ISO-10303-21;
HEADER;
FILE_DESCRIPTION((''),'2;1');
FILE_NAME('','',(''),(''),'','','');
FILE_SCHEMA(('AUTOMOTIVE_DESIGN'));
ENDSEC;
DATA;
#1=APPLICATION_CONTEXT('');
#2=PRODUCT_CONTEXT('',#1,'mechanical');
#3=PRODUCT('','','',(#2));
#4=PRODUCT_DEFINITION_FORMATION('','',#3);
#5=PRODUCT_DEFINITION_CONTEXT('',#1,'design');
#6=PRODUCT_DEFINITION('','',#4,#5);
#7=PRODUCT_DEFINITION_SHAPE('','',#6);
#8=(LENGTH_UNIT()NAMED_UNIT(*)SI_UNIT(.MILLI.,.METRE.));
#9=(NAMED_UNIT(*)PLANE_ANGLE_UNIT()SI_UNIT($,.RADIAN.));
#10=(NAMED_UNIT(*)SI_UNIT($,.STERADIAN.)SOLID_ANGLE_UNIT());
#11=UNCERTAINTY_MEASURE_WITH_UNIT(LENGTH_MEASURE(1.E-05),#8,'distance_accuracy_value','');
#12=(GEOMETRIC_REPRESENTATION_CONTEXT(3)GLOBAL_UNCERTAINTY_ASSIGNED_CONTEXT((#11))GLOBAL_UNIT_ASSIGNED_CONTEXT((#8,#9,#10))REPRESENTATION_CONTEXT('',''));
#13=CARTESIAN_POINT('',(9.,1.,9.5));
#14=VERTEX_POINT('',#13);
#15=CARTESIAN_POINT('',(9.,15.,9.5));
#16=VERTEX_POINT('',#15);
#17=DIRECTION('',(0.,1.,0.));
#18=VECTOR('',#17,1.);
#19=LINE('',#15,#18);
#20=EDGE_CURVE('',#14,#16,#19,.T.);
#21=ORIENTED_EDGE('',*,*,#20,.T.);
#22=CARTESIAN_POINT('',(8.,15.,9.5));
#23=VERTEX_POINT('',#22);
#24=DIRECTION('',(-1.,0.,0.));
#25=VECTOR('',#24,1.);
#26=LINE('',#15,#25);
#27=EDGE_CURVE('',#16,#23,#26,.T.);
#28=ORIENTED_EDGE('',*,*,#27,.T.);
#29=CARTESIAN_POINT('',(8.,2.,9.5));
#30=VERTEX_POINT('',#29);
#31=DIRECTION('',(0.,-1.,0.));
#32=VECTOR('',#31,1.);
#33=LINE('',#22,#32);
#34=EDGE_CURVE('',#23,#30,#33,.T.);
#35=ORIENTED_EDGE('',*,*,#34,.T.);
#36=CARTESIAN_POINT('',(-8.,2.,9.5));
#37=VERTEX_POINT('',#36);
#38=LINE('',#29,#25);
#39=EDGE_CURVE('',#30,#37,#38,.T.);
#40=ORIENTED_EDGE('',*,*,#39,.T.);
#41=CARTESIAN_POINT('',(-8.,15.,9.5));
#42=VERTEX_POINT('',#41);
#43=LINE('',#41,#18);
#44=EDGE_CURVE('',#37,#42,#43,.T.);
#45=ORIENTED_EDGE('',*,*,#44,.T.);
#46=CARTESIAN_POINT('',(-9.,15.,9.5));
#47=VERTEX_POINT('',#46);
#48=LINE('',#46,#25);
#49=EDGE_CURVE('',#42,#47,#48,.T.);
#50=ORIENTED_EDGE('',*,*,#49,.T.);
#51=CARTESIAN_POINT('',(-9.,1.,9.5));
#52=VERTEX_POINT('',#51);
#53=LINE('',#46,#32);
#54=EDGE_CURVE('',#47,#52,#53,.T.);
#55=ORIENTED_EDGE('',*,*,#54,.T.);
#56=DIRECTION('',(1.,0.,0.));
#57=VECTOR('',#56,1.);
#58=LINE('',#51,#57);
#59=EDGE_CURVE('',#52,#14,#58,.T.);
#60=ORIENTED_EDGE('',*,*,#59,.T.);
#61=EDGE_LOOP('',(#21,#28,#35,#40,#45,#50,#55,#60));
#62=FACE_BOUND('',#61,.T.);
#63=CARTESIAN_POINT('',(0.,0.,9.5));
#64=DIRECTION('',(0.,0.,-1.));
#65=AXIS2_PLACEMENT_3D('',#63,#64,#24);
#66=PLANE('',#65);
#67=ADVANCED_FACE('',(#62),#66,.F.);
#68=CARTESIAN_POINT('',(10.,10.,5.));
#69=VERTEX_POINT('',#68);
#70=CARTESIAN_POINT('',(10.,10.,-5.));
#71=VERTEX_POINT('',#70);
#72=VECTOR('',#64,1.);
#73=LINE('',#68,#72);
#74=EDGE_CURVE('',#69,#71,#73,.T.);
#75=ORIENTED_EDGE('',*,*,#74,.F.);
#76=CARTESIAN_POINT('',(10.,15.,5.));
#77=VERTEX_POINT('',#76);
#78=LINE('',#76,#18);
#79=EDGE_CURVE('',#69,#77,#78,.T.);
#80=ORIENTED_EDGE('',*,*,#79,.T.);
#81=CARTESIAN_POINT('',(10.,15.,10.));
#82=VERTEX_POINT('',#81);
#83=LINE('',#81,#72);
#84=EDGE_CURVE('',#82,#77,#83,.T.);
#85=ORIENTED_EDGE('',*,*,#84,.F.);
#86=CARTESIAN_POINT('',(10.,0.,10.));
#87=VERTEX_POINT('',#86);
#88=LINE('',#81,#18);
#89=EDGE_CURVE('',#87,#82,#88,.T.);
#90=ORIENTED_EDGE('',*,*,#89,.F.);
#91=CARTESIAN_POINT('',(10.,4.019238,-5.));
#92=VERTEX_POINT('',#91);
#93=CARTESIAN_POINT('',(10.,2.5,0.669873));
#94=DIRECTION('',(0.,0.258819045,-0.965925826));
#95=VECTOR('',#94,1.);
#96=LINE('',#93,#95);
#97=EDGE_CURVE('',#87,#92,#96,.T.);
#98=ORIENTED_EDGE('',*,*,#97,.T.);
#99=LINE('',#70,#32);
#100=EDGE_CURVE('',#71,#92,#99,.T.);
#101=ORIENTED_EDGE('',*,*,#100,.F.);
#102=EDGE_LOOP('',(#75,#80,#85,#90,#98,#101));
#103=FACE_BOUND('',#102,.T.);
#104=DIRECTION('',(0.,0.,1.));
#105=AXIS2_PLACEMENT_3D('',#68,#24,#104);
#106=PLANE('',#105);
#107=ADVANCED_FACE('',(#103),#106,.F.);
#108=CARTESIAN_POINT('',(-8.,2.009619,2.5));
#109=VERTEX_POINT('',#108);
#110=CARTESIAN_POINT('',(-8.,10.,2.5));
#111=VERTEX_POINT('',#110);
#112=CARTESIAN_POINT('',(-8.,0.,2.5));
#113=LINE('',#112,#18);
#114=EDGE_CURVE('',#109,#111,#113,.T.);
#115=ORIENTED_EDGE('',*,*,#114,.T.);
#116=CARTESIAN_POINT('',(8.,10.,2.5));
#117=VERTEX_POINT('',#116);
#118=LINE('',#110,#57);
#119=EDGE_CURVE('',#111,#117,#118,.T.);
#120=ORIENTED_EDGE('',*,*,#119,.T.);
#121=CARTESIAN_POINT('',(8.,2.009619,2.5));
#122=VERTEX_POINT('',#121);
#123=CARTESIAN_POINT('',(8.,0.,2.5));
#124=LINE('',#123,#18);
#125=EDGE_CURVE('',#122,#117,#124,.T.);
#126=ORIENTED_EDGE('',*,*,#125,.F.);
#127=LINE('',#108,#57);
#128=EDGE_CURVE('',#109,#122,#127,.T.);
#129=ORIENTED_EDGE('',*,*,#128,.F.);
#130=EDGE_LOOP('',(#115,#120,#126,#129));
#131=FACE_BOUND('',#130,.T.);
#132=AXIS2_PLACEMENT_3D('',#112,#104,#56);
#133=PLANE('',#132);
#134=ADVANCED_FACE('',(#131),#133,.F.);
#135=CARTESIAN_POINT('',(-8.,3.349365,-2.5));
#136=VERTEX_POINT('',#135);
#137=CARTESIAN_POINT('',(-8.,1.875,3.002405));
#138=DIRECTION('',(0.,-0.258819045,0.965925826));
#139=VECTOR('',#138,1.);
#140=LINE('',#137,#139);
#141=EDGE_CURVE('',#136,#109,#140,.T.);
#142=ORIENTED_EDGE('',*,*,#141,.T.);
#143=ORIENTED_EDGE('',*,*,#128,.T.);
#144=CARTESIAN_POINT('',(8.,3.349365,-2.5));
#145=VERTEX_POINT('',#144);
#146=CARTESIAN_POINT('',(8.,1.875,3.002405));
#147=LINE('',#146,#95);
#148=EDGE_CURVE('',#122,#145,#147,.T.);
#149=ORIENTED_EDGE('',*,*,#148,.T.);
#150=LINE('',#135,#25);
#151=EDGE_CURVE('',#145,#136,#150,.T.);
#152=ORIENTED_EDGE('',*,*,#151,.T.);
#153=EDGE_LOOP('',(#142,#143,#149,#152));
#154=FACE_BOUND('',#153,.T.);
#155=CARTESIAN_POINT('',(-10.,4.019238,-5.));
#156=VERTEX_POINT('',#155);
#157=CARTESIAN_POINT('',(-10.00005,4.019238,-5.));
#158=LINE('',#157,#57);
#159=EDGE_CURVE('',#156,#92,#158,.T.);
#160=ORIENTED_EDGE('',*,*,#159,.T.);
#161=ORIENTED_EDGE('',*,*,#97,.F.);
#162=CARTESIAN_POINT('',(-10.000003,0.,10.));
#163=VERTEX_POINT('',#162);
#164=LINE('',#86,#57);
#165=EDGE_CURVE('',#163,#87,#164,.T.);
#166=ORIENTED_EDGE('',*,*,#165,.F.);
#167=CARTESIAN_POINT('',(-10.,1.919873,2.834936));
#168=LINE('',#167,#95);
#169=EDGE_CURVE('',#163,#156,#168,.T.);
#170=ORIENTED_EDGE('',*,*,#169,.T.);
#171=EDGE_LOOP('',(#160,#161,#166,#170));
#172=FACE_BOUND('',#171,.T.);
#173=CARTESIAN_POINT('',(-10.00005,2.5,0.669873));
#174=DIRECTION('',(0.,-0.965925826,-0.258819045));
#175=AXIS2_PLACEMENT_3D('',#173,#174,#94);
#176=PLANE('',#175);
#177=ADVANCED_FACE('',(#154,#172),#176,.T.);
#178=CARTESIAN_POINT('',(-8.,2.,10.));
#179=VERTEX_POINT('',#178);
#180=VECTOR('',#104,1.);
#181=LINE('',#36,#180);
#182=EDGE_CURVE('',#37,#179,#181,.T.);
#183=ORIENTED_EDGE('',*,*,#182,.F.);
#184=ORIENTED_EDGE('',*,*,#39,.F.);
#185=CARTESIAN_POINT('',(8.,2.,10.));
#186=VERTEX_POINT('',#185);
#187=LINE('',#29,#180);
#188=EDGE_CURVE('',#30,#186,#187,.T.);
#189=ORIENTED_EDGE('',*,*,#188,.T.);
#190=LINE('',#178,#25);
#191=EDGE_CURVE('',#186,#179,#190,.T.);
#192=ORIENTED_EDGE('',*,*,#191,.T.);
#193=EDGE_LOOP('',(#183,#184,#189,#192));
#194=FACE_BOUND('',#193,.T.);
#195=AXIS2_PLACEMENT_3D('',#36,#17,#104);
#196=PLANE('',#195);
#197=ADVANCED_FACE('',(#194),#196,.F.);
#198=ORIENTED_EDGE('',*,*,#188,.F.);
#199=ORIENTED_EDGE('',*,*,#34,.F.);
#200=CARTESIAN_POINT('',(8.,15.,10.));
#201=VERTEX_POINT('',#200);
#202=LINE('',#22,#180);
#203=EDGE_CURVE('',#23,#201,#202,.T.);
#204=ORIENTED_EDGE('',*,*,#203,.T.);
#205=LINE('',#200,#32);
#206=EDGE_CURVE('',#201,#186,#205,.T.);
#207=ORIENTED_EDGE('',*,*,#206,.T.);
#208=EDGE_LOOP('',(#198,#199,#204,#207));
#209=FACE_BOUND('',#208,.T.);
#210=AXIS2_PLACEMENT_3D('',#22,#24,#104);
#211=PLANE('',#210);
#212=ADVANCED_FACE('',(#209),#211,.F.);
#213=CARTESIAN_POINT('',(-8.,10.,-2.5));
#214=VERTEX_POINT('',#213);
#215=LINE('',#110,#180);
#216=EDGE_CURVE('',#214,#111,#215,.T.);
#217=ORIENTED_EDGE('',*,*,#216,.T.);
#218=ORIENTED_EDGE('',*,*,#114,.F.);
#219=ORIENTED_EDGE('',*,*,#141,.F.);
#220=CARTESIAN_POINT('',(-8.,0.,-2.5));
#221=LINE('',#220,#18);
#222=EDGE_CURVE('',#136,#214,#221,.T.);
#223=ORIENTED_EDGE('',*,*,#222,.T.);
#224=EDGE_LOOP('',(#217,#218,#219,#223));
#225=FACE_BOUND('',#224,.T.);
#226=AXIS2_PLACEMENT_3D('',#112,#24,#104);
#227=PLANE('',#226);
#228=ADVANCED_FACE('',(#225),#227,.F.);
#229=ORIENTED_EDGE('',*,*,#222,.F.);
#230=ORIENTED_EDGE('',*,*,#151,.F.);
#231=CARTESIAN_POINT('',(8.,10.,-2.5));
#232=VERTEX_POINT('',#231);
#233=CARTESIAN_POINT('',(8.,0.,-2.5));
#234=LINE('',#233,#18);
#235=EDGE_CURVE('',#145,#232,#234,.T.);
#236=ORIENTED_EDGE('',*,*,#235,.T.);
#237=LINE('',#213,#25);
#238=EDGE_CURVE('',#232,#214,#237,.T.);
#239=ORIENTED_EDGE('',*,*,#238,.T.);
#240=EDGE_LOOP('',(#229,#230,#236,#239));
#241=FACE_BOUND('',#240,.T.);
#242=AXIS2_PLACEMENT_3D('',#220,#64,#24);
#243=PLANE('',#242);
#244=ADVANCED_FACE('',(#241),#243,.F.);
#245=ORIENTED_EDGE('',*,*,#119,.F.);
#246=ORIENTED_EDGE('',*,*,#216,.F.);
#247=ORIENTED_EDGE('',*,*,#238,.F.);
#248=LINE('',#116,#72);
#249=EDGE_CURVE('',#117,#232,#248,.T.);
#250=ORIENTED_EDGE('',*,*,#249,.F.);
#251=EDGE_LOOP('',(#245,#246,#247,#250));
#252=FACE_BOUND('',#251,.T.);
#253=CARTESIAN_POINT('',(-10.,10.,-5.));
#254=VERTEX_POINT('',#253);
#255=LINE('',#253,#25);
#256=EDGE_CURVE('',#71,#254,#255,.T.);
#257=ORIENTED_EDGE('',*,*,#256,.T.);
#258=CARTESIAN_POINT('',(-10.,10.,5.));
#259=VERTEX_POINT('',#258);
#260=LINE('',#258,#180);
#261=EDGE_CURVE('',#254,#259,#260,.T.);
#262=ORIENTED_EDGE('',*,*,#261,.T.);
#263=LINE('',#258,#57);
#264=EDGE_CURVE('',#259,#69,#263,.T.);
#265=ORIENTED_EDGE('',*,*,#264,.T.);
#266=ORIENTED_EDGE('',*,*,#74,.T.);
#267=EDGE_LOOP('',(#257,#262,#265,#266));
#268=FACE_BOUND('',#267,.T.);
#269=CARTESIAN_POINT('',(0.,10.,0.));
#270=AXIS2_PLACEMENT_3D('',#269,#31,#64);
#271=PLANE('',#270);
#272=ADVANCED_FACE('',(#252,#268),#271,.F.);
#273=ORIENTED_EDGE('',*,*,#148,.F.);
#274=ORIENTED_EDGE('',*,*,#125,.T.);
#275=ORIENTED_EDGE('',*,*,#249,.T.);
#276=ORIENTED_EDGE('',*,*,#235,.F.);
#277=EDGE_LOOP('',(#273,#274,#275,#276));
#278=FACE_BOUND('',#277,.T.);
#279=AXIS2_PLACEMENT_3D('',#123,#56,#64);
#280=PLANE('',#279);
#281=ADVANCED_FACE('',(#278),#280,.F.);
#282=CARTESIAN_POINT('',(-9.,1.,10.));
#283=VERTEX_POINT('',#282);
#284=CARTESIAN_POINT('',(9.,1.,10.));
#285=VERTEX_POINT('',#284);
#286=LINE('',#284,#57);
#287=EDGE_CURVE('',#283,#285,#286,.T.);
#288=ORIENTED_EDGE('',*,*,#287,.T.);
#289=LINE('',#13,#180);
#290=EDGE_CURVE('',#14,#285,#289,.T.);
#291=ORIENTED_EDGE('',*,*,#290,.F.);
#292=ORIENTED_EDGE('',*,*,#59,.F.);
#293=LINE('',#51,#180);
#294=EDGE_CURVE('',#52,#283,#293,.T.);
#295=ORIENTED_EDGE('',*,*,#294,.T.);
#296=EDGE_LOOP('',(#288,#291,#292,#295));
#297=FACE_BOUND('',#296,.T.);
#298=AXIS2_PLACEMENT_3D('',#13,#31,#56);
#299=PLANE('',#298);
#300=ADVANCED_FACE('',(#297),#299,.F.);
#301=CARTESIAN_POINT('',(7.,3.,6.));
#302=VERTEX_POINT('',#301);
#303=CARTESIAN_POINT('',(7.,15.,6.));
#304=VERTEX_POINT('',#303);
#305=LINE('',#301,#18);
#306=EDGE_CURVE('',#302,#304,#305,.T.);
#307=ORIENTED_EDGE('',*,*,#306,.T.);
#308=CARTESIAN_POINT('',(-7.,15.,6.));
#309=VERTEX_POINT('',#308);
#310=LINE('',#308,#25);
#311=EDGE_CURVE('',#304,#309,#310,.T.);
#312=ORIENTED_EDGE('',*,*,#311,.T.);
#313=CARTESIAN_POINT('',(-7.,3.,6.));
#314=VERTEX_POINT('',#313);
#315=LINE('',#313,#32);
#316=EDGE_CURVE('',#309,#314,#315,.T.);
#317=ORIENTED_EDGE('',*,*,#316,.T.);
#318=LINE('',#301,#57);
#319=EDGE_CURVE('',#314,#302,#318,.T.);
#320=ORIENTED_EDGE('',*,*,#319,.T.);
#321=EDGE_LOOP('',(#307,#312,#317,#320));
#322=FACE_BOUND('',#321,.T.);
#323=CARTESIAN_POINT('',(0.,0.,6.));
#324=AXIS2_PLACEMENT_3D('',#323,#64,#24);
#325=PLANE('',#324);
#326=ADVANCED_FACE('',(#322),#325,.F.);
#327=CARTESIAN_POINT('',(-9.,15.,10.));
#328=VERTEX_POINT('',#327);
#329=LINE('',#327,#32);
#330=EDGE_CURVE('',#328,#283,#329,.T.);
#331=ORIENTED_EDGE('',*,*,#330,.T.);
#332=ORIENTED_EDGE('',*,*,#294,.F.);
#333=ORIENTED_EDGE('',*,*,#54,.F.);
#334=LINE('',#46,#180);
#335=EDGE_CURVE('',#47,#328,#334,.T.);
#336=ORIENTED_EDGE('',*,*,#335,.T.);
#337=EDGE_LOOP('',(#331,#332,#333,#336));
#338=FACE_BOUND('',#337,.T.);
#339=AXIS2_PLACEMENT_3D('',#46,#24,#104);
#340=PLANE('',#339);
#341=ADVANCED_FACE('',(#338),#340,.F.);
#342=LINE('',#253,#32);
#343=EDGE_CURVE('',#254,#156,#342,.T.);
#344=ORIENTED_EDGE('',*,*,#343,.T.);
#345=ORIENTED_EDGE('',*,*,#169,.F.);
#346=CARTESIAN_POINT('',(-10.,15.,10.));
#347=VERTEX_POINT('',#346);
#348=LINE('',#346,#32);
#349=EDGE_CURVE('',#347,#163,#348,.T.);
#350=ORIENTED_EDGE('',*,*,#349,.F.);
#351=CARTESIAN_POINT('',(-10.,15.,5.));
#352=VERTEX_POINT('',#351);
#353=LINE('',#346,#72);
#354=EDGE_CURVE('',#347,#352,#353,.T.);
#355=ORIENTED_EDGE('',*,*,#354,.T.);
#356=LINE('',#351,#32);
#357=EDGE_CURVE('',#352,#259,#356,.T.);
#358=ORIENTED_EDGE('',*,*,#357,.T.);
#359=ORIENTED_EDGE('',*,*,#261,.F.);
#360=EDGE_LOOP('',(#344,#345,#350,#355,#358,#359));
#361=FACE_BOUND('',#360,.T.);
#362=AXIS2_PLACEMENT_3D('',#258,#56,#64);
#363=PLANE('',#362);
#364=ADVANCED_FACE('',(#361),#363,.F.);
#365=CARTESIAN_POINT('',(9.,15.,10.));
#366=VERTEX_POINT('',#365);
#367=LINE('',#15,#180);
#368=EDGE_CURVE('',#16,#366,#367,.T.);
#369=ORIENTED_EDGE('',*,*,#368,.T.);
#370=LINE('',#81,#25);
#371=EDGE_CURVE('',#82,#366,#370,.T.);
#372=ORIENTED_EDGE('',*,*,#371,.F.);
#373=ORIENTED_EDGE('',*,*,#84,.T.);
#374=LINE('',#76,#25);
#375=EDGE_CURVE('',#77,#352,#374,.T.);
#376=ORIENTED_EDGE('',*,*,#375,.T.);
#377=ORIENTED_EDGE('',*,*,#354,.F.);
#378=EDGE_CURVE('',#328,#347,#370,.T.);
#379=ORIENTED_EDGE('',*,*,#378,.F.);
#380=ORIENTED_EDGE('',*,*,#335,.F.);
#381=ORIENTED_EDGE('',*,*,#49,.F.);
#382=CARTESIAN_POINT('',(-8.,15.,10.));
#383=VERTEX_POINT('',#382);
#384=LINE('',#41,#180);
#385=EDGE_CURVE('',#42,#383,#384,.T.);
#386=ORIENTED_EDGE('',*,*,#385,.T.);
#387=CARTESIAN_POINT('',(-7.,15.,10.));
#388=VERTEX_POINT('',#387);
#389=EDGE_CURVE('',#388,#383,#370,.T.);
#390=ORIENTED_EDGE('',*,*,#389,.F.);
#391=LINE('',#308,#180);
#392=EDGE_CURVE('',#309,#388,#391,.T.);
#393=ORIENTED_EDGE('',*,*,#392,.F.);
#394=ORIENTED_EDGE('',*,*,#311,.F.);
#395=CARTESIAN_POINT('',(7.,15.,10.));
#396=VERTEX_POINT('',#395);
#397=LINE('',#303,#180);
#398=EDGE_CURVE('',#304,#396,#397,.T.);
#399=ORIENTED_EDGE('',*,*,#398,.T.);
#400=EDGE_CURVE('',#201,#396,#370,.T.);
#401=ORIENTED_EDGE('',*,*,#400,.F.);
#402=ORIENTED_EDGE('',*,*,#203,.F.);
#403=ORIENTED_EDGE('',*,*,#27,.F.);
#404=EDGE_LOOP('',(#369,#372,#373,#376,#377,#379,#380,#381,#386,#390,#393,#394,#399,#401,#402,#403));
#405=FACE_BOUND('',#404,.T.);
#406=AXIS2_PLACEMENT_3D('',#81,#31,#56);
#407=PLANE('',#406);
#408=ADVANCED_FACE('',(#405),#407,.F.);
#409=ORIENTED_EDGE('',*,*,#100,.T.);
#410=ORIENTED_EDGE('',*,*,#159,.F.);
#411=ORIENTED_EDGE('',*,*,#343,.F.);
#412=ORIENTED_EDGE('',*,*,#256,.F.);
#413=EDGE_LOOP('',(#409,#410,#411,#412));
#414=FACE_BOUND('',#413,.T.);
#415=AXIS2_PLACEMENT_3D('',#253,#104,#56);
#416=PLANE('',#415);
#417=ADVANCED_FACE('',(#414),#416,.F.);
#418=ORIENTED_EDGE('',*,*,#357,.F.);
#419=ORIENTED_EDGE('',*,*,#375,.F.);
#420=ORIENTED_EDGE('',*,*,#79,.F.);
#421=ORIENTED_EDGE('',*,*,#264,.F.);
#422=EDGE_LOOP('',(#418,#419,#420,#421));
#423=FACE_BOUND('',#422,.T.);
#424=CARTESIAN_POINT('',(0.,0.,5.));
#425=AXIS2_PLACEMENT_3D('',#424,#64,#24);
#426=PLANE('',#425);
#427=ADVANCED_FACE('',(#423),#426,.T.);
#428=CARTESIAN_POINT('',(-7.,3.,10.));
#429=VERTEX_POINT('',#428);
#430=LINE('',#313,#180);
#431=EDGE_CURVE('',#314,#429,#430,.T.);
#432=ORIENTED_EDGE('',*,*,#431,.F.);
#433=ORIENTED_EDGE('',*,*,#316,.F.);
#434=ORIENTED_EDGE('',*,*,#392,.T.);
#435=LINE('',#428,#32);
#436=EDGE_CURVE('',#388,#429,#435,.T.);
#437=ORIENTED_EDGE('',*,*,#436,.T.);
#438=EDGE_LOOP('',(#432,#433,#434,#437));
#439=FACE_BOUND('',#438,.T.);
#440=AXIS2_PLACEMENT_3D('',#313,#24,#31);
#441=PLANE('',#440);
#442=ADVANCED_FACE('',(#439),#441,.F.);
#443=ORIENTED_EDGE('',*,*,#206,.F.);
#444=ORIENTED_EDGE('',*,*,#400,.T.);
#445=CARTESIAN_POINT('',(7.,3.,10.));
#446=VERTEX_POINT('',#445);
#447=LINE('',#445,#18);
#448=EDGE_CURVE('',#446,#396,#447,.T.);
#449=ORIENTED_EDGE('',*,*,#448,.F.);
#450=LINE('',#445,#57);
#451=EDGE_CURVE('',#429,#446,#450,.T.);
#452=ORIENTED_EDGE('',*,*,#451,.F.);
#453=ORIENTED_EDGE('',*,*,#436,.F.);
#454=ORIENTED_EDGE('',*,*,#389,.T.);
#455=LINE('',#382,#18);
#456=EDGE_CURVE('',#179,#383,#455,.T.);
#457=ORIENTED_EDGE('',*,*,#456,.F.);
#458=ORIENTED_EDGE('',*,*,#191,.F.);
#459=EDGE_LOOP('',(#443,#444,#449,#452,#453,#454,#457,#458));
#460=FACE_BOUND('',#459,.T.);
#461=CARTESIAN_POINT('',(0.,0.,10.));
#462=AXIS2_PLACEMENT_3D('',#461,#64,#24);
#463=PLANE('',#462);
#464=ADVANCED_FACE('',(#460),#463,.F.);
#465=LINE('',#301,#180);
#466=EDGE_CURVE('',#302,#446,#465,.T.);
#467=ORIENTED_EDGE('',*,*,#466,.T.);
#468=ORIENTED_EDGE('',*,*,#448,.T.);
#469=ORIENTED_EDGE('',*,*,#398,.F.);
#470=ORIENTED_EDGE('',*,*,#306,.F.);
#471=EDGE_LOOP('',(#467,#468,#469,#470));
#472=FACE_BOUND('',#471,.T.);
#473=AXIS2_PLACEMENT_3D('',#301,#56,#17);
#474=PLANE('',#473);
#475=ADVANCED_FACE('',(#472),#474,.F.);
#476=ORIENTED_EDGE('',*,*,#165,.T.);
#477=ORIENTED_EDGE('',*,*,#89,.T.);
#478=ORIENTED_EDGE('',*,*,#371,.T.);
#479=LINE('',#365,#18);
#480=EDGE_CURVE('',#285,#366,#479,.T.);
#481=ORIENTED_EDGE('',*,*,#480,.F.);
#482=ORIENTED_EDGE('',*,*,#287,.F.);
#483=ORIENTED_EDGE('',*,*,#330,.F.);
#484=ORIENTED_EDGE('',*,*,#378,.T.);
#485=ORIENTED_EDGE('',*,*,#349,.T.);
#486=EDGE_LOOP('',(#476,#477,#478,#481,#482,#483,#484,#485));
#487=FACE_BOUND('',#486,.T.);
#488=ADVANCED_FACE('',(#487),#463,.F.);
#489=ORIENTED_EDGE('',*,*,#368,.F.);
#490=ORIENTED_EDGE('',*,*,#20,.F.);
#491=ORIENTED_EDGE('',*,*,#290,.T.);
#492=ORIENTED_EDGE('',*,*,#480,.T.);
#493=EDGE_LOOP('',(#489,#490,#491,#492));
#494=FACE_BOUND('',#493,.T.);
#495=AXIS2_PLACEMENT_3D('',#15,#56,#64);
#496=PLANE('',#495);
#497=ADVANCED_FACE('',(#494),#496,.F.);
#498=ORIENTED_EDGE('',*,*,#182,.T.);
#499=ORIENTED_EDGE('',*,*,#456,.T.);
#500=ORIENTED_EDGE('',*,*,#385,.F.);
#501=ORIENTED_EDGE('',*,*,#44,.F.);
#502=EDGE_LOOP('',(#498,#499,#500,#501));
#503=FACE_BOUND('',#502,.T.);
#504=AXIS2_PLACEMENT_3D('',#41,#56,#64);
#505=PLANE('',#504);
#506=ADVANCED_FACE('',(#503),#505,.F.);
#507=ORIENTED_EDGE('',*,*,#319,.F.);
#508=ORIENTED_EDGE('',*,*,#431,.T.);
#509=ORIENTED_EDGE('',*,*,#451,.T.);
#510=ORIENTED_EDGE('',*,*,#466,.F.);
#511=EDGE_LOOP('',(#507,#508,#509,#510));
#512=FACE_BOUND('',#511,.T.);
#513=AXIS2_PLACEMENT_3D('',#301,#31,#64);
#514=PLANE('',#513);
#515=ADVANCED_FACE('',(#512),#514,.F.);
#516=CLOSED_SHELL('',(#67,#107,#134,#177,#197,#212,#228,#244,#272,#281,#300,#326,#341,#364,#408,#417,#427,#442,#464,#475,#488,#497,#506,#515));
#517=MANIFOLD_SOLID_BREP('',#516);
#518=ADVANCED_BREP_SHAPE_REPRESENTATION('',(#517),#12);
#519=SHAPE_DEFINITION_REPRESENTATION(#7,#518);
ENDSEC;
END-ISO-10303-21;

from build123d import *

# Parameters (mm, degrees)
SKETCH1_W           = 20
SKETCH1_H           = 10
BOSS_EXTRUDE1_DEPTH = 10
SKETCH2_W           = 16
SKETCH2_H           = 5
CUT_EXTRUDE1_DEPTH  = 11
SKETCH3_W           = 20
SKETCH3_H           = 15
BOSS_EXTRUDE2_DEPTH = 5
SKETCH4_W           = 14
SKETCH4_H           = 12
CUT_EXTRUDE2_DEPTH  = 4
CUT_EXTRUDE3_DEPTH  = 0.5
CUT_EXTRUDE4_DEPTH  = 21


with BuildPart() as part:
    # Sketch1 → Boss-Extrude1 (new body)
    with BuildSketch(Plane(origin=(0, 0, 0), x_dir=(1, 0, 0), z_dir=(0, 1, 0))):
        Rectangle(SKETCH1_W, SKETCH1_H)
    extrude(amount=BOSS_EXTRUDE1_DEPTH)

    # Sketch2 → Cut-Extrude1 (cut, through all)
    with BuildSketch(Plane(origin=(0, 10, 0), x_dir=(1, 0, 0), z_dir=(0, 1, 0))):
        Rectangle(SKETCH2_W, SKETCH2_H)
    extrude(amount=-CUT_EXTRUDE1_DEPTH, mode=Mode.SUBTRACT)

    # Sketch3 → Boss-Extrude2 (add)
    with BuildSketch(Plane.XY.offset(5)):
        with Locations((0, 7.5)):
            Rectangle(SKETCH3_W, SKETCH3_H)
    extrude(amount=BOSS_EXTRUDE2_DEPTH)

    # Sketch4 → Cut-Extrude2 (cut)
    with BuildSketch(Plane.XY.offset(10)):
        with Locations((0, 9)):
            Rectangle(SKETCH4_W, SKETCH4_H)
    extrude(amount=-CUT_EXTRUDE2_DEPTH, mode=Mode.SUBTRACT)

    # Sketch5 → Cut-Extrude3 (cut)
    with BuildSketch(Plane.XY.offset(10)):
        Polygon((-9, 15), (-9, 1), (0, 1), (9, 1), (9, 15), (8, 15), (8, 2), (0, 2), (-8, 2), (-8, 15), align=None)
    extrude(amount=-CUT_EXTRUDE3_DEPTH, mode=Mode.SUBTRACT)

    # Sketch7 → Cut-Extrude4 (cut, through all)
    with BuildSketch(Plane(origin=(10, 0, 0), x_dir=(0, 0, -1), z_dir=(1, 0, 0))):
        Polygon((5, 4.019237886), (-10, 0), (5, 0), align=None)
    extrude(amount=-CUT_EXTRUDE4_DEPTH, mode=Mode.SUBTRACT)


solid = part.part
